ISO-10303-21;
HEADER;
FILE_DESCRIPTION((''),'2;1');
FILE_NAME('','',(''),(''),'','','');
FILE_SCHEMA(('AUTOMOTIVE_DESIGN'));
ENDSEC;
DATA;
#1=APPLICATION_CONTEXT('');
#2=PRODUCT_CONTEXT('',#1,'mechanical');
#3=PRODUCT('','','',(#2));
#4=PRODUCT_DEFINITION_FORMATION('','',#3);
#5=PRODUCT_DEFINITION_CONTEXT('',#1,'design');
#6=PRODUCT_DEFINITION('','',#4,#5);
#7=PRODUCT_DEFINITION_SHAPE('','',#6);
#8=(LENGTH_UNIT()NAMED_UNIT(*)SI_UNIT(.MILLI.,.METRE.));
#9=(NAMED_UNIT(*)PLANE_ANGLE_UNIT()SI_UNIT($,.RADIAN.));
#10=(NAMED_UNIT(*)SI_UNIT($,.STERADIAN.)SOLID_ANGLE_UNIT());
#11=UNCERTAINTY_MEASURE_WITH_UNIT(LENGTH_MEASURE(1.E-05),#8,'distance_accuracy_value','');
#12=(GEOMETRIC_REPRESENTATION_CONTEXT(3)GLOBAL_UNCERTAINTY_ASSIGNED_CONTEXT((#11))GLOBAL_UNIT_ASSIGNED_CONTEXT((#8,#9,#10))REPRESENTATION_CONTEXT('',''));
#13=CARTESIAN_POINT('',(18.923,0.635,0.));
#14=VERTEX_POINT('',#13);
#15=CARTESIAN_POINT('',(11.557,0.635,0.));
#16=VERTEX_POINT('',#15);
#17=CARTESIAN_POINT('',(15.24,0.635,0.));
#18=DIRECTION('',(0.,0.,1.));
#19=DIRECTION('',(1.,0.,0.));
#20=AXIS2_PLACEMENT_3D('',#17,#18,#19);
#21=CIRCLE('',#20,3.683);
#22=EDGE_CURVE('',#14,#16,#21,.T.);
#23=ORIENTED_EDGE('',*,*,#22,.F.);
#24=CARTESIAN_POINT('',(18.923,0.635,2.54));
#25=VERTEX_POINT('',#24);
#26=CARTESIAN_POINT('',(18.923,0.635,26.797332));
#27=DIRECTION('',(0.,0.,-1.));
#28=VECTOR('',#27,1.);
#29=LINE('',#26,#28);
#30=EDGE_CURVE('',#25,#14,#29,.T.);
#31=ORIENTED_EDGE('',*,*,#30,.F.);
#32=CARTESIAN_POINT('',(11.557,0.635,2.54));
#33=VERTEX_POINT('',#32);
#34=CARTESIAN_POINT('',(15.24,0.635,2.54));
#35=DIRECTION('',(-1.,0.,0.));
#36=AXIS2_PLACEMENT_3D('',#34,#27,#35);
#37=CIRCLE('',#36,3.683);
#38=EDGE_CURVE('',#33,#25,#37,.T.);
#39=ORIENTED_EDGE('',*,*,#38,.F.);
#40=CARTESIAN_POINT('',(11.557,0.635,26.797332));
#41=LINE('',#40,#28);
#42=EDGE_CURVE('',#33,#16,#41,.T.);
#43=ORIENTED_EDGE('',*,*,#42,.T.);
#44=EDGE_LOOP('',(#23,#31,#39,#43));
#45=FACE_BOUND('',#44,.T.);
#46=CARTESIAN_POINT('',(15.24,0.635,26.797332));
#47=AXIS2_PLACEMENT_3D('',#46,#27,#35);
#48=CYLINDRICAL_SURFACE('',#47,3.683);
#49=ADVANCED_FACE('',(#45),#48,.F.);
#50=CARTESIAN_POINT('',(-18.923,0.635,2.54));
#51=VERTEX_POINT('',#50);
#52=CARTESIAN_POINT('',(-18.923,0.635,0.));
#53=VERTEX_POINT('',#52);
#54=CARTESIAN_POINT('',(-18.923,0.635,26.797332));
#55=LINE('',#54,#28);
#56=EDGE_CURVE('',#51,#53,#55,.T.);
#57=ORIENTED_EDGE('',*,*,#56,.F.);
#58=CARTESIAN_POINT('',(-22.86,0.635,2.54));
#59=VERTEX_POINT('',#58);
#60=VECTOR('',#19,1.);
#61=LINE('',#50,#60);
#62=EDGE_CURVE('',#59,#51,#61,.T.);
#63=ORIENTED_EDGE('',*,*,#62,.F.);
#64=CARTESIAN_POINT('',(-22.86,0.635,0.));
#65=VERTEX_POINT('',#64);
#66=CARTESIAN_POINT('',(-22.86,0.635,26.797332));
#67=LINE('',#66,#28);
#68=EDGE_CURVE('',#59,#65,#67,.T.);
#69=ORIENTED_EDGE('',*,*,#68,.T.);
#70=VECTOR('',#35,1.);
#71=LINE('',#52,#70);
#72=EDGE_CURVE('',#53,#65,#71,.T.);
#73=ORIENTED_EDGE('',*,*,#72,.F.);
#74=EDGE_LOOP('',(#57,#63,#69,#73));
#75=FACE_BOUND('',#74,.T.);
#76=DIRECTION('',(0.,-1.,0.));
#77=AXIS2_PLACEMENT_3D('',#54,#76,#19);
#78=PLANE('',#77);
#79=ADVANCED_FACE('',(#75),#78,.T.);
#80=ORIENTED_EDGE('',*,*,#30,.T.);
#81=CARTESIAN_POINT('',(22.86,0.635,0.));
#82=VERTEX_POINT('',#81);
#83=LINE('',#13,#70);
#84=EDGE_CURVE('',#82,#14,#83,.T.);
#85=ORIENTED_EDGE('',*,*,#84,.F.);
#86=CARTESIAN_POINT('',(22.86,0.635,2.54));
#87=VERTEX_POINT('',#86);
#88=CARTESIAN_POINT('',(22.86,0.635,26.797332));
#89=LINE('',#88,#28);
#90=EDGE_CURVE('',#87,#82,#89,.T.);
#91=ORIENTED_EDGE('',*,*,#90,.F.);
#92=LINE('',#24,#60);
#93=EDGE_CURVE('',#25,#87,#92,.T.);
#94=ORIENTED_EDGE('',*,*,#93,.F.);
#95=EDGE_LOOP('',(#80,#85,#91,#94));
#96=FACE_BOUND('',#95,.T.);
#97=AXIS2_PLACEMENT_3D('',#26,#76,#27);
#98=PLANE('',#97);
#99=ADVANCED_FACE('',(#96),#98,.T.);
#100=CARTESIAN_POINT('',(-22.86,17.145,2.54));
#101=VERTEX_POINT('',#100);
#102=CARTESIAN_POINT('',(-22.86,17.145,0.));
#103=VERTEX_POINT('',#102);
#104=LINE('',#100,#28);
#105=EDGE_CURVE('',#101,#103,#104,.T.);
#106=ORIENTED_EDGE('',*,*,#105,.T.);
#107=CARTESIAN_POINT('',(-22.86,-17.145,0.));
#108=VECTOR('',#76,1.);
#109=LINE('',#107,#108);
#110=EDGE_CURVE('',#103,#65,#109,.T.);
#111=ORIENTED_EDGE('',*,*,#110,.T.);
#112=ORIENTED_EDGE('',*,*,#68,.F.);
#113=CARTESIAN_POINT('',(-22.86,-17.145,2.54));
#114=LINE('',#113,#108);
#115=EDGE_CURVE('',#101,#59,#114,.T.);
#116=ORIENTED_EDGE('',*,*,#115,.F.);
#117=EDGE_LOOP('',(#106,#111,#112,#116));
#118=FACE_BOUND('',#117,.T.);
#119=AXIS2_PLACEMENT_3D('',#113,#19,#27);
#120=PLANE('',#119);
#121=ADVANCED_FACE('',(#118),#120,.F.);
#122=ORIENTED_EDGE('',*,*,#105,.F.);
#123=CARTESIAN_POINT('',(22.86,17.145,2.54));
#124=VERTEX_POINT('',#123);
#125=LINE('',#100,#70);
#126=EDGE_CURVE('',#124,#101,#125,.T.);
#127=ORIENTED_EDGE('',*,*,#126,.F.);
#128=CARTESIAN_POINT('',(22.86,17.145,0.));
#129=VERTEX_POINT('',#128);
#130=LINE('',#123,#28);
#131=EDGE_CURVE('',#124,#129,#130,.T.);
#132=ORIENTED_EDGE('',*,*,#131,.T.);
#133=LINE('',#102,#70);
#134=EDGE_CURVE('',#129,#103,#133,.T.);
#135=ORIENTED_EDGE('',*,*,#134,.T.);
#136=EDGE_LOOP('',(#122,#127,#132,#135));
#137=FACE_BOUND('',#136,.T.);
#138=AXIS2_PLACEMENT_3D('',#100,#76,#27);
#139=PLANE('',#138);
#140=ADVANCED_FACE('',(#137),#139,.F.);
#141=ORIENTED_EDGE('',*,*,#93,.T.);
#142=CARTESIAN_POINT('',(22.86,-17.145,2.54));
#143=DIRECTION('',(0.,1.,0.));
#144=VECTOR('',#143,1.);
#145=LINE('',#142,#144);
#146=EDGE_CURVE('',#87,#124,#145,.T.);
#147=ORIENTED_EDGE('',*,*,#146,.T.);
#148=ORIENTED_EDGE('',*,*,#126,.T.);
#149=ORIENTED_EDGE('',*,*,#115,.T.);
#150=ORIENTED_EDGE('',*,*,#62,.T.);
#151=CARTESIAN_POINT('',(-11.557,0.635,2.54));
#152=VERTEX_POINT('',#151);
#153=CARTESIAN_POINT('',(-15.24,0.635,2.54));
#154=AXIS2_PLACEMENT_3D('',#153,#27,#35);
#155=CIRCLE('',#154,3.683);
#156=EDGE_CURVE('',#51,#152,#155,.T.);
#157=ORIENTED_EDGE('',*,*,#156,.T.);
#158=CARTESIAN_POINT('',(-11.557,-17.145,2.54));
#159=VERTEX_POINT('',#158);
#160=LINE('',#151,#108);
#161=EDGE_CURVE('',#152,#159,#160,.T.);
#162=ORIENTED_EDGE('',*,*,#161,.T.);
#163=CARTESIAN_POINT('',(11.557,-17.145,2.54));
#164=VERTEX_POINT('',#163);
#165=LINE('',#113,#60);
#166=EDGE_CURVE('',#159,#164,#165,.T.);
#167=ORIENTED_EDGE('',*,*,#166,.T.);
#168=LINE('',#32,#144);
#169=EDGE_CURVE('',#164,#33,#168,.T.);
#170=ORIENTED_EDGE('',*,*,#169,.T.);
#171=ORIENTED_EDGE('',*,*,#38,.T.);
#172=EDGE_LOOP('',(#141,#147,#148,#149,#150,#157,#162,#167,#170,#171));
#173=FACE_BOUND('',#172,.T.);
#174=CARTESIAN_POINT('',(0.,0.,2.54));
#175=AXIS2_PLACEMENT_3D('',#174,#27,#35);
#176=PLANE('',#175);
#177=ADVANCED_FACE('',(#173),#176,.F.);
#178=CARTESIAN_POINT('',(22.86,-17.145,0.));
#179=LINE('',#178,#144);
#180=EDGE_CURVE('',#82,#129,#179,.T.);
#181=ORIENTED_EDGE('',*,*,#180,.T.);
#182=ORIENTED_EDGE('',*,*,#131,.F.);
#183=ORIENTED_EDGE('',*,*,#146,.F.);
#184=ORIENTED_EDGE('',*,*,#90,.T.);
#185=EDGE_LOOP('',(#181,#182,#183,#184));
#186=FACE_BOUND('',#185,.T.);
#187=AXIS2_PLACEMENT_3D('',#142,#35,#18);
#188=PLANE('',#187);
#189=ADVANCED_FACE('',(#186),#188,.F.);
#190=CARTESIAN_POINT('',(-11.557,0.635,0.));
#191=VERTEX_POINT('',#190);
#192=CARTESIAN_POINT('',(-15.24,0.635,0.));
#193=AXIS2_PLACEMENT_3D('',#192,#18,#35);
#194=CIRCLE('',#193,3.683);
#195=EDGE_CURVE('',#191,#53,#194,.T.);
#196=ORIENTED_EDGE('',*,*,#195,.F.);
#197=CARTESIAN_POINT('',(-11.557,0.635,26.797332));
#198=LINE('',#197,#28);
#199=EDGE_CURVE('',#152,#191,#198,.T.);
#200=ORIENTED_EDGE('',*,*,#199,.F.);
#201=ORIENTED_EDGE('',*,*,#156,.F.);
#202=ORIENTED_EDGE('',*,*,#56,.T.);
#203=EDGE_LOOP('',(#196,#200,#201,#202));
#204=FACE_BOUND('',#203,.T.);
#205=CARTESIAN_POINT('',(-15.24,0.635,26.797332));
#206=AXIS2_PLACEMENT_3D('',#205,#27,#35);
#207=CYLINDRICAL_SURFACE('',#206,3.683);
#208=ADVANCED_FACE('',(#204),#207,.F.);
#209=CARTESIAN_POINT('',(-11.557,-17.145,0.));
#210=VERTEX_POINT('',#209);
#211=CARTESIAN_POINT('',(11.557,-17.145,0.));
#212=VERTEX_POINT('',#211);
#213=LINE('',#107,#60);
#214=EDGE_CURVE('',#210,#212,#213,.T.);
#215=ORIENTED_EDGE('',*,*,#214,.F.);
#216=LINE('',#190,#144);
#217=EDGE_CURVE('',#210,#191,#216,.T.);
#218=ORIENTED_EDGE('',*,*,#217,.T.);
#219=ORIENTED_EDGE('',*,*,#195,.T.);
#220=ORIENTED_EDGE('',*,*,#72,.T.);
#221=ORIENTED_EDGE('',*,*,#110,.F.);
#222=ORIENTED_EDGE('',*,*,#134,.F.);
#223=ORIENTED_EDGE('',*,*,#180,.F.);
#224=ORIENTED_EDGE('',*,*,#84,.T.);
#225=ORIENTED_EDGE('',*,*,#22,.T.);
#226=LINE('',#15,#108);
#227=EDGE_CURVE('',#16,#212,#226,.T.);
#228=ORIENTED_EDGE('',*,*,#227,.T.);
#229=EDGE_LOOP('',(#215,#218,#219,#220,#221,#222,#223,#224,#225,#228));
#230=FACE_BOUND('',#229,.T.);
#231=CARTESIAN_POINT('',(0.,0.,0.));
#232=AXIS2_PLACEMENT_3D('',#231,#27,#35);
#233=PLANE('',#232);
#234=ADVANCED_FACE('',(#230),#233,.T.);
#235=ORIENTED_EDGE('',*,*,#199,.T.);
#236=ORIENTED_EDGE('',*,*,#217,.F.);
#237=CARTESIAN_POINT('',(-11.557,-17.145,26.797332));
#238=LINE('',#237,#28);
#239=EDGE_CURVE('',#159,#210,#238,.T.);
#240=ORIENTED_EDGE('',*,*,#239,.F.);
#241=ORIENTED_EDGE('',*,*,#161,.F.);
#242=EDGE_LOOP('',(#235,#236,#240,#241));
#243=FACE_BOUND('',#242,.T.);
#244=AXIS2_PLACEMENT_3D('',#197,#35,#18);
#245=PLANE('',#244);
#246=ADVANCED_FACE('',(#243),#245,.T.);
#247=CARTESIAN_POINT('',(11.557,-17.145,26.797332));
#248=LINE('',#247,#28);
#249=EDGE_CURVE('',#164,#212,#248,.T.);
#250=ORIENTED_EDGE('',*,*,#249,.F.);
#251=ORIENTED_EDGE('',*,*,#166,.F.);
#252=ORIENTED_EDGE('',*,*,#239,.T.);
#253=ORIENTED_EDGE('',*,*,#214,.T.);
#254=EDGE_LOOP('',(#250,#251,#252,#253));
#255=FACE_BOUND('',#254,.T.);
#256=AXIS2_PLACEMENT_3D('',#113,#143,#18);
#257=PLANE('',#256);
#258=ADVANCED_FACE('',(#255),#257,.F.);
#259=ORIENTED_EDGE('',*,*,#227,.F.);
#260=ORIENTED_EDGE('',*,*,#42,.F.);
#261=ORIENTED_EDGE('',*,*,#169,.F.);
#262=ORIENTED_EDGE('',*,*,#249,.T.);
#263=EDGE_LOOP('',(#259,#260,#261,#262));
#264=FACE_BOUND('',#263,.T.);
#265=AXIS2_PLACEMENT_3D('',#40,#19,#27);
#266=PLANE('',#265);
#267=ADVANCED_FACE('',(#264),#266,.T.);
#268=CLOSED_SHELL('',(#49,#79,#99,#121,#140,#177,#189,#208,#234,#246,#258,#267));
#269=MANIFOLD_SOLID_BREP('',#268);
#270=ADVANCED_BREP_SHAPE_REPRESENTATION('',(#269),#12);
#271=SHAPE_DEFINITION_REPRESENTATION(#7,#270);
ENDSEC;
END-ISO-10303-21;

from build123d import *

# Parameters (mm, degrees)
SKETCH1_W           = 45.72
SKETCH1_H           = 34.29
SKETCH1_R           = 3.175
BOSS_EXTRUDE1_DEPTH = 2.54
CUT_EXTRUDE1_DEPTH  = 2.54


with BuildPart() as part:
    # Sketch1 → Boss-Extrude1 (new body)
    with BuildSketch(Plane.XY):
        Rectangle(SKETCH1_W, SKETCH1_H)
        with Locations((15.24, 0.635)):
            Circle(SKETCH1_R, mode=Mode.SUBTRACT)
        with Locations(Location((-15.24, 0.635, 0), (0, 0, 180))):
            Circle(SKETCH1_R, mode=Mode.SUBTRACT)
    extrude(amount=BOSS_EXTRUDE1_DEPTH)

    # Sketch2 → Cut-Extrude1 (cut)
    with BuildSketch(Plane.XY):
        with BuildLine():
            Line((11.557, 0.635), (11.557, -17.145))
            Line((11.557, -17.145), (22.86, -17.145))
            Line((22.86, -17.145), (22.86, 0.635))
            Line((22.86, 0.635), (18.923, 0.635))
            ThreePointArc((18.923, 0.635), (15.24, 4.318), (11.557, 0.635))
        make_face()
        with BuildLine():
            Line((-11.557, 0.635), (-11.557, -17.145))
            Line((-11.557, -17.145), (-22.86, -17.145))
            Line((-22.86, -17.145), (-22.86, 0.635))
            Line((-22.86, 0.635), (-18.923, 0.635))
            ThreePointArc((-18.923, 0.635), (-15.24, 4.318), (-11.557, 0.635))
        make_face()
    extrude(amount=CUT_EXTRUDE1_DEPTH, mode=Mode.SUBTRACT)


solid = part.part
